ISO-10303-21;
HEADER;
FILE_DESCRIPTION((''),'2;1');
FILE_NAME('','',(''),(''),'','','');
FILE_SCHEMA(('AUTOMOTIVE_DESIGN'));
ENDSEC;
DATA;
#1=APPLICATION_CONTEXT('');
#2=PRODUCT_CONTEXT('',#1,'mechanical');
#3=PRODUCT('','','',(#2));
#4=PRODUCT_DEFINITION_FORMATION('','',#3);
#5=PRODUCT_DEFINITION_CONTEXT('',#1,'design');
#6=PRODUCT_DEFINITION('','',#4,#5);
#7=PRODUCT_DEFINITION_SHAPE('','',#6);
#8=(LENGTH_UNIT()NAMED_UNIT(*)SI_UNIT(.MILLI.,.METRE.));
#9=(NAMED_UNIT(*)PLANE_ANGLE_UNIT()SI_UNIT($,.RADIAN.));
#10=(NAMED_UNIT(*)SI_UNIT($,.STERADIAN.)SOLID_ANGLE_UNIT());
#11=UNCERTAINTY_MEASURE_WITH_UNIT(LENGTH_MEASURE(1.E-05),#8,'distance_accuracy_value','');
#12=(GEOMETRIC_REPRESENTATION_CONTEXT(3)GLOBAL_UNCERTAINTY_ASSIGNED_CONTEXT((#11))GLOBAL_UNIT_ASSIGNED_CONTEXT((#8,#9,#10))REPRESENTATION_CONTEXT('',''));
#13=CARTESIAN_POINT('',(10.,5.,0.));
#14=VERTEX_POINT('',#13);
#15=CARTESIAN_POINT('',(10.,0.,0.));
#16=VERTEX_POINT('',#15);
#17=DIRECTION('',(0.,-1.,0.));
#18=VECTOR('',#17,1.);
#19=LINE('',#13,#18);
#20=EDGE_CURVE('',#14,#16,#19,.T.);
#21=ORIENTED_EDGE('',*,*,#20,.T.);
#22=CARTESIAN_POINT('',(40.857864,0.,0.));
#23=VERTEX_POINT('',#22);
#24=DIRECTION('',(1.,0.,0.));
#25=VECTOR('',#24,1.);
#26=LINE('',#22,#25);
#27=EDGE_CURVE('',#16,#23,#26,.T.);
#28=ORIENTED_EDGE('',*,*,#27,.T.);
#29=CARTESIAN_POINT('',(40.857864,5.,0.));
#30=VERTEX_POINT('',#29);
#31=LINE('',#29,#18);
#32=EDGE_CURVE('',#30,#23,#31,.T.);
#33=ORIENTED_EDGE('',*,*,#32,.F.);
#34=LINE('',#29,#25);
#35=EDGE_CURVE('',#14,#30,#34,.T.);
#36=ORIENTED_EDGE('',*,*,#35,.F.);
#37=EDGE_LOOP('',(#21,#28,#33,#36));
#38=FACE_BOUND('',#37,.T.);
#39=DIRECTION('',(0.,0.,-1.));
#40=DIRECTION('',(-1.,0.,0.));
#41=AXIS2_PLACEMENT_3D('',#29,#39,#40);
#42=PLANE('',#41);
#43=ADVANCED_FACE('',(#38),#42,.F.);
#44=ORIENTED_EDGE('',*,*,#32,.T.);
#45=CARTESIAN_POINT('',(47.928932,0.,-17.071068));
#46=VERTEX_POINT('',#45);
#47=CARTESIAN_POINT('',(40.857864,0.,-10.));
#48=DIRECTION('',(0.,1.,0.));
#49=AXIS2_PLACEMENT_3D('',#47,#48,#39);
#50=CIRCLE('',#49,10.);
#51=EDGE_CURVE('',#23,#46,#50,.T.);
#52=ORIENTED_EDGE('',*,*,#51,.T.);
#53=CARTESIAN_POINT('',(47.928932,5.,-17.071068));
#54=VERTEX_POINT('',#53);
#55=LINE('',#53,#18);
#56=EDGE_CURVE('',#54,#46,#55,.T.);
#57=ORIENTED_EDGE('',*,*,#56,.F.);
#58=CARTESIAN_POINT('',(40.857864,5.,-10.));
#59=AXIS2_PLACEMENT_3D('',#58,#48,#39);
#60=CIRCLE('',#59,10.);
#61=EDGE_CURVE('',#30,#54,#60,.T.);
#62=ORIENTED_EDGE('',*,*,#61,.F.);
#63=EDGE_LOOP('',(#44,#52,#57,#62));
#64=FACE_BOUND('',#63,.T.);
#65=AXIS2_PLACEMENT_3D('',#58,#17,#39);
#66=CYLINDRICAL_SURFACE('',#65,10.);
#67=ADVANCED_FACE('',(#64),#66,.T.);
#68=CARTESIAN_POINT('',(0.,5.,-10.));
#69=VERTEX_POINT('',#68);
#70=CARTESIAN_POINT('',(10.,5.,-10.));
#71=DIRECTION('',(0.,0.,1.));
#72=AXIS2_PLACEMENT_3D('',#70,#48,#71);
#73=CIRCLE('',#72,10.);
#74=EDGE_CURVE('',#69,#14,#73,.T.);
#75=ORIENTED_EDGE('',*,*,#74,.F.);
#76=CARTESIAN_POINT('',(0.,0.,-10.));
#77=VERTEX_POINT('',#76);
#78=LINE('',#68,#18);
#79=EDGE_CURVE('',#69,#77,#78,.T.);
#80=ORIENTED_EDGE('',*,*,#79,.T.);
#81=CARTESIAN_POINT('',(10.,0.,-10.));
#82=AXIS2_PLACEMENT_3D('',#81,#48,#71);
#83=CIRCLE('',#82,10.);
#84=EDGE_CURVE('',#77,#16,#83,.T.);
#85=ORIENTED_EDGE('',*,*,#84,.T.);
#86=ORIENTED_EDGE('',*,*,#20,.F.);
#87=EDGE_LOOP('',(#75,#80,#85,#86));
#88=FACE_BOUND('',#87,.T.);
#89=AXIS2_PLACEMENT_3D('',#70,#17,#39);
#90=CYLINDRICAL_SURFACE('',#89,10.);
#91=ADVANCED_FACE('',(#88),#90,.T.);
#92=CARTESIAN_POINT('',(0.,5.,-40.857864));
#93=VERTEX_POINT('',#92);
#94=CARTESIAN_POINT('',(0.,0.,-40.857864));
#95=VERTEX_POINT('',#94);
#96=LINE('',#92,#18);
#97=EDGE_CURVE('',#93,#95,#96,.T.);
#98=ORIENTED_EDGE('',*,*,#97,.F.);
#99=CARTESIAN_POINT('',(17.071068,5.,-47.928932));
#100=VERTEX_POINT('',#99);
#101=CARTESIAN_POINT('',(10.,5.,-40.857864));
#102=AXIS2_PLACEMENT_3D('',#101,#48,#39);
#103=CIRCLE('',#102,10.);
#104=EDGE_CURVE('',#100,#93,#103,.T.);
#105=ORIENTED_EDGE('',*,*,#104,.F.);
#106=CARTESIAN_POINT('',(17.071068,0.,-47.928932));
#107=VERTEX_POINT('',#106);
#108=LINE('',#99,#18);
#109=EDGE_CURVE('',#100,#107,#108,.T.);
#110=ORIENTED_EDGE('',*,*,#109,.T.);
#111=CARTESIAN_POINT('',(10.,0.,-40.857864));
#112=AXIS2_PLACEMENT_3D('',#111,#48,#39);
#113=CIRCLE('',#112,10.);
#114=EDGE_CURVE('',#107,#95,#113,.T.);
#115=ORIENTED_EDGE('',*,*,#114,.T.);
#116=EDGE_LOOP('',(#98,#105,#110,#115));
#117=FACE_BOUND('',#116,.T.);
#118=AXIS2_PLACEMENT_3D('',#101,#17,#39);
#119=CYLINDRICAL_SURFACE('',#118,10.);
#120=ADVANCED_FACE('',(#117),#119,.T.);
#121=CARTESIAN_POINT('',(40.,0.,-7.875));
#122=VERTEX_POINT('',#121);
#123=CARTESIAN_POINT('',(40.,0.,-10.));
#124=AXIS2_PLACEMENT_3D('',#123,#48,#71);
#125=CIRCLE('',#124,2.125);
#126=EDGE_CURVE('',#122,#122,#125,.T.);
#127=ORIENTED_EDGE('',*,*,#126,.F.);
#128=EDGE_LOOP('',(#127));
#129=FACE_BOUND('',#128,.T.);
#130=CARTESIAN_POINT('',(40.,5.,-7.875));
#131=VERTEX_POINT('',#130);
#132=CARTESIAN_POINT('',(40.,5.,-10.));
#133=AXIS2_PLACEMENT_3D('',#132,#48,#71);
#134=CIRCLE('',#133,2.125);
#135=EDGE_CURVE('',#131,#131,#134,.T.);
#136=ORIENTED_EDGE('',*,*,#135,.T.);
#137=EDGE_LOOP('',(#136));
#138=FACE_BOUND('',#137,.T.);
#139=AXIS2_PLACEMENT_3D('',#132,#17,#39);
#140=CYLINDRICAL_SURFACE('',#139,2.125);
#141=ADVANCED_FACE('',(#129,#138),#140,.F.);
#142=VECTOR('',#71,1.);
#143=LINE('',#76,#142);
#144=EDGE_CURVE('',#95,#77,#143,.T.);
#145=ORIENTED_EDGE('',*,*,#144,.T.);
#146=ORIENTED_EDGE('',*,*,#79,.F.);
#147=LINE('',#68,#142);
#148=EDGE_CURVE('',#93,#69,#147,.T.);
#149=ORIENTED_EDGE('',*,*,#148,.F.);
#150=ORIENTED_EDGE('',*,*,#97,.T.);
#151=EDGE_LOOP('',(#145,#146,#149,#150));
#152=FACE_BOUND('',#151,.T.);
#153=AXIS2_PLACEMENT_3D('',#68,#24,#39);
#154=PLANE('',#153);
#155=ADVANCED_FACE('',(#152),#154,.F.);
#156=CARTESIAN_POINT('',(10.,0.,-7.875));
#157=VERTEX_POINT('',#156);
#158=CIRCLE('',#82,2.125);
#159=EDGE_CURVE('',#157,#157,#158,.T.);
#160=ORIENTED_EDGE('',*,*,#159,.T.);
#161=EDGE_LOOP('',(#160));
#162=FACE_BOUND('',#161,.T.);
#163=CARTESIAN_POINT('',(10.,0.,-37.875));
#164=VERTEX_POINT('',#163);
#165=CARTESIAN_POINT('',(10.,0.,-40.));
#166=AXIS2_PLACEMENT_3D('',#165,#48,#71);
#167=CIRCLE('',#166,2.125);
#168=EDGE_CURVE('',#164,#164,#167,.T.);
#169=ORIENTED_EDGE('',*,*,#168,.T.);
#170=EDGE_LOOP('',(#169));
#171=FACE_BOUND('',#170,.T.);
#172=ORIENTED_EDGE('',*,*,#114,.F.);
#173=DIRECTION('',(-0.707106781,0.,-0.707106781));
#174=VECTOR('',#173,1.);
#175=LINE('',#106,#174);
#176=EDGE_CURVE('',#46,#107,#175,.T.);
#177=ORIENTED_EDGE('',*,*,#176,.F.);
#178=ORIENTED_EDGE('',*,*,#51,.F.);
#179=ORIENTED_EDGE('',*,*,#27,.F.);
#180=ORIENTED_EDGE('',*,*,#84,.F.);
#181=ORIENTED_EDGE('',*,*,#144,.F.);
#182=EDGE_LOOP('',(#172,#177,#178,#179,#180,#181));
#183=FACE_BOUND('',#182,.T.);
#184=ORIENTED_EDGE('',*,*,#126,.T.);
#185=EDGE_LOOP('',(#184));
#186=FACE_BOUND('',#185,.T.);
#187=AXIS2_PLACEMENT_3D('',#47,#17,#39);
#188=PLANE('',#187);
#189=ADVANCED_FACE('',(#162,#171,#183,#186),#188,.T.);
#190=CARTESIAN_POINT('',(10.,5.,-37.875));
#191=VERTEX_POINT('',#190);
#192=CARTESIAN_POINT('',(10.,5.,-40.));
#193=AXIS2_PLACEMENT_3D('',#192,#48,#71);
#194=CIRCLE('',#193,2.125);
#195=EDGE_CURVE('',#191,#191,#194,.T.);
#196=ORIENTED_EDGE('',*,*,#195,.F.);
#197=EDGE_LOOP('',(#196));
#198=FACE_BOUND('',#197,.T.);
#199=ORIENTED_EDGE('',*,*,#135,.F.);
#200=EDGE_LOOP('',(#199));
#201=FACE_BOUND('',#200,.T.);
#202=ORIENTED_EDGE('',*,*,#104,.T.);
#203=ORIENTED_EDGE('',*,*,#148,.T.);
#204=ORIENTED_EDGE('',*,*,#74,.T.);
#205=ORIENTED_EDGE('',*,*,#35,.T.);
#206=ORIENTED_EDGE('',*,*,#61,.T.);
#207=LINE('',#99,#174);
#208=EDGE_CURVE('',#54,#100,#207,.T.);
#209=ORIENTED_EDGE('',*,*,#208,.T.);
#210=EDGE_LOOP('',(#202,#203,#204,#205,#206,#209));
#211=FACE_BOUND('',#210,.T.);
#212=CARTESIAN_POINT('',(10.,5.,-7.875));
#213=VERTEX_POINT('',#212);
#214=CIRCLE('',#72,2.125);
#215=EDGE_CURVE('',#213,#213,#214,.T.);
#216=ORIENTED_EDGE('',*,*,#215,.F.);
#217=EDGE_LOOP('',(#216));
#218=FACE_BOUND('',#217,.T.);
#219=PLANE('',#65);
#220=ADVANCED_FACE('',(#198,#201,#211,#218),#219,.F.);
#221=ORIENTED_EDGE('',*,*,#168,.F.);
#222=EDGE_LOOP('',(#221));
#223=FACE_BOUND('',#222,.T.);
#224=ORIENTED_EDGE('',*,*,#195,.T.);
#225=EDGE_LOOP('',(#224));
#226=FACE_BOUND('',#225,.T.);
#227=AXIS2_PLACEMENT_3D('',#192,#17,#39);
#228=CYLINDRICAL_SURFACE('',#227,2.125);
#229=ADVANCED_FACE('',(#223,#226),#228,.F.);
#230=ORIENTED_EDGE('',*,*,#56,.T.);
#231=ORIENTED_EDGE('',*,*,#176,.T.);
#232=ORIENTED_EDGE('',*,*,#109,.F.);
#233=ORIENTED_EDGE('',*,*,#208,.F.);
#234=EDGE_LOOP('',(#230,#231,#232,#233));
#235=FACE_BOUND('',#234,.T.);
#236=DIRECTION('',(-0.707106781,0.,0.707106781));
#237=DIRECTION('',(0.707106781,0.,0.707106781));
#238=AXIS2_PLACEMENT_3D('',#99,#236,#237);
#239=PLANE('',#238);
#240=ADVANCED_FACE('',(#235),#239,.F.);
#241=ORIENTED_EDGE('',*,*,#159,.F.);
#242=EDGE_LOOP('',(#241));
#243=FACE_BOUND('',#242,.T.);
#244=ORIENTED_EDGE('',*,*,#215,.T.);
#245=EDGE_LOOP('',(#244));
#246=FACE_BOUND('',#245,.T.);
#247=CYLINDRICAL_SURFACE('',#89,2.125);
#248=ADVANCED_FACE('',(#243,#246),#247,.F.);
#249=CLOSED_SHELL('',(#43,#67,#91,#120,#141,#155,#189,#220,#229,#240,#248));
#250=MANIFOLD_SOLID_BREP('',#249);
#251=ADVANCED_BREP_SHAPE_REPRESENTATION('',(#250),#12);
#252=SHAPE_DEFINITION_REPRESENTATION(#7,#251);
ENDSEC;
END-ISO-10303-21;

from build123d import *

# Parameters (mm, degrees)
SKETCH1_R           = 2.125
BOSS_EXTRUDE1_DEPTH = 5


with BuildPart() as part:
    # Sketch1 → Boss-Extrude1 (new body)
    with BuildSketch(Plane(origin=(0, 0, 0), x_dir=(1, 0, 0), z_dir=(0, 1, 0))):
        with BuildLine():
            Line((0, 10), (0, 40.857864376))
            ThreePointArc((0, 40.857864376), (6.173165676, 50.096659701), (17.071067812, 47.928932188))
            Line((17.071067812, 47.928932188), (47.928932188, 17.071067812))
            ThreePointArc((47.928932188, 17.071067812), (50.096659701, 6.173165676), (40.857864376, 0))
            Line((40.857864376, 0), (10, 0))
            ThreePointArc((10, 0), (2.928932188, 2.928932188), (0, 10))
        make_face()
        with Locations(Location((10, 10, 0), (0, 0, 270))):
            Circle(SKETCH1_R, mode=Mode.SUBTRACT)
        with Locations(Location((10, 40, 0), (0, 0, 270))):
            Circle(SKETCH1_R, mode=Mode.SUBTRACT)
        with Locations(Location((40, 10, 0), (0, 0, 270))):
            Circle(SKETCH1_R, mode=Mode.SUBTRACT)
    extrude(amount=BOSS_EXTRUDE1_DEPTH)


solid = part.part
